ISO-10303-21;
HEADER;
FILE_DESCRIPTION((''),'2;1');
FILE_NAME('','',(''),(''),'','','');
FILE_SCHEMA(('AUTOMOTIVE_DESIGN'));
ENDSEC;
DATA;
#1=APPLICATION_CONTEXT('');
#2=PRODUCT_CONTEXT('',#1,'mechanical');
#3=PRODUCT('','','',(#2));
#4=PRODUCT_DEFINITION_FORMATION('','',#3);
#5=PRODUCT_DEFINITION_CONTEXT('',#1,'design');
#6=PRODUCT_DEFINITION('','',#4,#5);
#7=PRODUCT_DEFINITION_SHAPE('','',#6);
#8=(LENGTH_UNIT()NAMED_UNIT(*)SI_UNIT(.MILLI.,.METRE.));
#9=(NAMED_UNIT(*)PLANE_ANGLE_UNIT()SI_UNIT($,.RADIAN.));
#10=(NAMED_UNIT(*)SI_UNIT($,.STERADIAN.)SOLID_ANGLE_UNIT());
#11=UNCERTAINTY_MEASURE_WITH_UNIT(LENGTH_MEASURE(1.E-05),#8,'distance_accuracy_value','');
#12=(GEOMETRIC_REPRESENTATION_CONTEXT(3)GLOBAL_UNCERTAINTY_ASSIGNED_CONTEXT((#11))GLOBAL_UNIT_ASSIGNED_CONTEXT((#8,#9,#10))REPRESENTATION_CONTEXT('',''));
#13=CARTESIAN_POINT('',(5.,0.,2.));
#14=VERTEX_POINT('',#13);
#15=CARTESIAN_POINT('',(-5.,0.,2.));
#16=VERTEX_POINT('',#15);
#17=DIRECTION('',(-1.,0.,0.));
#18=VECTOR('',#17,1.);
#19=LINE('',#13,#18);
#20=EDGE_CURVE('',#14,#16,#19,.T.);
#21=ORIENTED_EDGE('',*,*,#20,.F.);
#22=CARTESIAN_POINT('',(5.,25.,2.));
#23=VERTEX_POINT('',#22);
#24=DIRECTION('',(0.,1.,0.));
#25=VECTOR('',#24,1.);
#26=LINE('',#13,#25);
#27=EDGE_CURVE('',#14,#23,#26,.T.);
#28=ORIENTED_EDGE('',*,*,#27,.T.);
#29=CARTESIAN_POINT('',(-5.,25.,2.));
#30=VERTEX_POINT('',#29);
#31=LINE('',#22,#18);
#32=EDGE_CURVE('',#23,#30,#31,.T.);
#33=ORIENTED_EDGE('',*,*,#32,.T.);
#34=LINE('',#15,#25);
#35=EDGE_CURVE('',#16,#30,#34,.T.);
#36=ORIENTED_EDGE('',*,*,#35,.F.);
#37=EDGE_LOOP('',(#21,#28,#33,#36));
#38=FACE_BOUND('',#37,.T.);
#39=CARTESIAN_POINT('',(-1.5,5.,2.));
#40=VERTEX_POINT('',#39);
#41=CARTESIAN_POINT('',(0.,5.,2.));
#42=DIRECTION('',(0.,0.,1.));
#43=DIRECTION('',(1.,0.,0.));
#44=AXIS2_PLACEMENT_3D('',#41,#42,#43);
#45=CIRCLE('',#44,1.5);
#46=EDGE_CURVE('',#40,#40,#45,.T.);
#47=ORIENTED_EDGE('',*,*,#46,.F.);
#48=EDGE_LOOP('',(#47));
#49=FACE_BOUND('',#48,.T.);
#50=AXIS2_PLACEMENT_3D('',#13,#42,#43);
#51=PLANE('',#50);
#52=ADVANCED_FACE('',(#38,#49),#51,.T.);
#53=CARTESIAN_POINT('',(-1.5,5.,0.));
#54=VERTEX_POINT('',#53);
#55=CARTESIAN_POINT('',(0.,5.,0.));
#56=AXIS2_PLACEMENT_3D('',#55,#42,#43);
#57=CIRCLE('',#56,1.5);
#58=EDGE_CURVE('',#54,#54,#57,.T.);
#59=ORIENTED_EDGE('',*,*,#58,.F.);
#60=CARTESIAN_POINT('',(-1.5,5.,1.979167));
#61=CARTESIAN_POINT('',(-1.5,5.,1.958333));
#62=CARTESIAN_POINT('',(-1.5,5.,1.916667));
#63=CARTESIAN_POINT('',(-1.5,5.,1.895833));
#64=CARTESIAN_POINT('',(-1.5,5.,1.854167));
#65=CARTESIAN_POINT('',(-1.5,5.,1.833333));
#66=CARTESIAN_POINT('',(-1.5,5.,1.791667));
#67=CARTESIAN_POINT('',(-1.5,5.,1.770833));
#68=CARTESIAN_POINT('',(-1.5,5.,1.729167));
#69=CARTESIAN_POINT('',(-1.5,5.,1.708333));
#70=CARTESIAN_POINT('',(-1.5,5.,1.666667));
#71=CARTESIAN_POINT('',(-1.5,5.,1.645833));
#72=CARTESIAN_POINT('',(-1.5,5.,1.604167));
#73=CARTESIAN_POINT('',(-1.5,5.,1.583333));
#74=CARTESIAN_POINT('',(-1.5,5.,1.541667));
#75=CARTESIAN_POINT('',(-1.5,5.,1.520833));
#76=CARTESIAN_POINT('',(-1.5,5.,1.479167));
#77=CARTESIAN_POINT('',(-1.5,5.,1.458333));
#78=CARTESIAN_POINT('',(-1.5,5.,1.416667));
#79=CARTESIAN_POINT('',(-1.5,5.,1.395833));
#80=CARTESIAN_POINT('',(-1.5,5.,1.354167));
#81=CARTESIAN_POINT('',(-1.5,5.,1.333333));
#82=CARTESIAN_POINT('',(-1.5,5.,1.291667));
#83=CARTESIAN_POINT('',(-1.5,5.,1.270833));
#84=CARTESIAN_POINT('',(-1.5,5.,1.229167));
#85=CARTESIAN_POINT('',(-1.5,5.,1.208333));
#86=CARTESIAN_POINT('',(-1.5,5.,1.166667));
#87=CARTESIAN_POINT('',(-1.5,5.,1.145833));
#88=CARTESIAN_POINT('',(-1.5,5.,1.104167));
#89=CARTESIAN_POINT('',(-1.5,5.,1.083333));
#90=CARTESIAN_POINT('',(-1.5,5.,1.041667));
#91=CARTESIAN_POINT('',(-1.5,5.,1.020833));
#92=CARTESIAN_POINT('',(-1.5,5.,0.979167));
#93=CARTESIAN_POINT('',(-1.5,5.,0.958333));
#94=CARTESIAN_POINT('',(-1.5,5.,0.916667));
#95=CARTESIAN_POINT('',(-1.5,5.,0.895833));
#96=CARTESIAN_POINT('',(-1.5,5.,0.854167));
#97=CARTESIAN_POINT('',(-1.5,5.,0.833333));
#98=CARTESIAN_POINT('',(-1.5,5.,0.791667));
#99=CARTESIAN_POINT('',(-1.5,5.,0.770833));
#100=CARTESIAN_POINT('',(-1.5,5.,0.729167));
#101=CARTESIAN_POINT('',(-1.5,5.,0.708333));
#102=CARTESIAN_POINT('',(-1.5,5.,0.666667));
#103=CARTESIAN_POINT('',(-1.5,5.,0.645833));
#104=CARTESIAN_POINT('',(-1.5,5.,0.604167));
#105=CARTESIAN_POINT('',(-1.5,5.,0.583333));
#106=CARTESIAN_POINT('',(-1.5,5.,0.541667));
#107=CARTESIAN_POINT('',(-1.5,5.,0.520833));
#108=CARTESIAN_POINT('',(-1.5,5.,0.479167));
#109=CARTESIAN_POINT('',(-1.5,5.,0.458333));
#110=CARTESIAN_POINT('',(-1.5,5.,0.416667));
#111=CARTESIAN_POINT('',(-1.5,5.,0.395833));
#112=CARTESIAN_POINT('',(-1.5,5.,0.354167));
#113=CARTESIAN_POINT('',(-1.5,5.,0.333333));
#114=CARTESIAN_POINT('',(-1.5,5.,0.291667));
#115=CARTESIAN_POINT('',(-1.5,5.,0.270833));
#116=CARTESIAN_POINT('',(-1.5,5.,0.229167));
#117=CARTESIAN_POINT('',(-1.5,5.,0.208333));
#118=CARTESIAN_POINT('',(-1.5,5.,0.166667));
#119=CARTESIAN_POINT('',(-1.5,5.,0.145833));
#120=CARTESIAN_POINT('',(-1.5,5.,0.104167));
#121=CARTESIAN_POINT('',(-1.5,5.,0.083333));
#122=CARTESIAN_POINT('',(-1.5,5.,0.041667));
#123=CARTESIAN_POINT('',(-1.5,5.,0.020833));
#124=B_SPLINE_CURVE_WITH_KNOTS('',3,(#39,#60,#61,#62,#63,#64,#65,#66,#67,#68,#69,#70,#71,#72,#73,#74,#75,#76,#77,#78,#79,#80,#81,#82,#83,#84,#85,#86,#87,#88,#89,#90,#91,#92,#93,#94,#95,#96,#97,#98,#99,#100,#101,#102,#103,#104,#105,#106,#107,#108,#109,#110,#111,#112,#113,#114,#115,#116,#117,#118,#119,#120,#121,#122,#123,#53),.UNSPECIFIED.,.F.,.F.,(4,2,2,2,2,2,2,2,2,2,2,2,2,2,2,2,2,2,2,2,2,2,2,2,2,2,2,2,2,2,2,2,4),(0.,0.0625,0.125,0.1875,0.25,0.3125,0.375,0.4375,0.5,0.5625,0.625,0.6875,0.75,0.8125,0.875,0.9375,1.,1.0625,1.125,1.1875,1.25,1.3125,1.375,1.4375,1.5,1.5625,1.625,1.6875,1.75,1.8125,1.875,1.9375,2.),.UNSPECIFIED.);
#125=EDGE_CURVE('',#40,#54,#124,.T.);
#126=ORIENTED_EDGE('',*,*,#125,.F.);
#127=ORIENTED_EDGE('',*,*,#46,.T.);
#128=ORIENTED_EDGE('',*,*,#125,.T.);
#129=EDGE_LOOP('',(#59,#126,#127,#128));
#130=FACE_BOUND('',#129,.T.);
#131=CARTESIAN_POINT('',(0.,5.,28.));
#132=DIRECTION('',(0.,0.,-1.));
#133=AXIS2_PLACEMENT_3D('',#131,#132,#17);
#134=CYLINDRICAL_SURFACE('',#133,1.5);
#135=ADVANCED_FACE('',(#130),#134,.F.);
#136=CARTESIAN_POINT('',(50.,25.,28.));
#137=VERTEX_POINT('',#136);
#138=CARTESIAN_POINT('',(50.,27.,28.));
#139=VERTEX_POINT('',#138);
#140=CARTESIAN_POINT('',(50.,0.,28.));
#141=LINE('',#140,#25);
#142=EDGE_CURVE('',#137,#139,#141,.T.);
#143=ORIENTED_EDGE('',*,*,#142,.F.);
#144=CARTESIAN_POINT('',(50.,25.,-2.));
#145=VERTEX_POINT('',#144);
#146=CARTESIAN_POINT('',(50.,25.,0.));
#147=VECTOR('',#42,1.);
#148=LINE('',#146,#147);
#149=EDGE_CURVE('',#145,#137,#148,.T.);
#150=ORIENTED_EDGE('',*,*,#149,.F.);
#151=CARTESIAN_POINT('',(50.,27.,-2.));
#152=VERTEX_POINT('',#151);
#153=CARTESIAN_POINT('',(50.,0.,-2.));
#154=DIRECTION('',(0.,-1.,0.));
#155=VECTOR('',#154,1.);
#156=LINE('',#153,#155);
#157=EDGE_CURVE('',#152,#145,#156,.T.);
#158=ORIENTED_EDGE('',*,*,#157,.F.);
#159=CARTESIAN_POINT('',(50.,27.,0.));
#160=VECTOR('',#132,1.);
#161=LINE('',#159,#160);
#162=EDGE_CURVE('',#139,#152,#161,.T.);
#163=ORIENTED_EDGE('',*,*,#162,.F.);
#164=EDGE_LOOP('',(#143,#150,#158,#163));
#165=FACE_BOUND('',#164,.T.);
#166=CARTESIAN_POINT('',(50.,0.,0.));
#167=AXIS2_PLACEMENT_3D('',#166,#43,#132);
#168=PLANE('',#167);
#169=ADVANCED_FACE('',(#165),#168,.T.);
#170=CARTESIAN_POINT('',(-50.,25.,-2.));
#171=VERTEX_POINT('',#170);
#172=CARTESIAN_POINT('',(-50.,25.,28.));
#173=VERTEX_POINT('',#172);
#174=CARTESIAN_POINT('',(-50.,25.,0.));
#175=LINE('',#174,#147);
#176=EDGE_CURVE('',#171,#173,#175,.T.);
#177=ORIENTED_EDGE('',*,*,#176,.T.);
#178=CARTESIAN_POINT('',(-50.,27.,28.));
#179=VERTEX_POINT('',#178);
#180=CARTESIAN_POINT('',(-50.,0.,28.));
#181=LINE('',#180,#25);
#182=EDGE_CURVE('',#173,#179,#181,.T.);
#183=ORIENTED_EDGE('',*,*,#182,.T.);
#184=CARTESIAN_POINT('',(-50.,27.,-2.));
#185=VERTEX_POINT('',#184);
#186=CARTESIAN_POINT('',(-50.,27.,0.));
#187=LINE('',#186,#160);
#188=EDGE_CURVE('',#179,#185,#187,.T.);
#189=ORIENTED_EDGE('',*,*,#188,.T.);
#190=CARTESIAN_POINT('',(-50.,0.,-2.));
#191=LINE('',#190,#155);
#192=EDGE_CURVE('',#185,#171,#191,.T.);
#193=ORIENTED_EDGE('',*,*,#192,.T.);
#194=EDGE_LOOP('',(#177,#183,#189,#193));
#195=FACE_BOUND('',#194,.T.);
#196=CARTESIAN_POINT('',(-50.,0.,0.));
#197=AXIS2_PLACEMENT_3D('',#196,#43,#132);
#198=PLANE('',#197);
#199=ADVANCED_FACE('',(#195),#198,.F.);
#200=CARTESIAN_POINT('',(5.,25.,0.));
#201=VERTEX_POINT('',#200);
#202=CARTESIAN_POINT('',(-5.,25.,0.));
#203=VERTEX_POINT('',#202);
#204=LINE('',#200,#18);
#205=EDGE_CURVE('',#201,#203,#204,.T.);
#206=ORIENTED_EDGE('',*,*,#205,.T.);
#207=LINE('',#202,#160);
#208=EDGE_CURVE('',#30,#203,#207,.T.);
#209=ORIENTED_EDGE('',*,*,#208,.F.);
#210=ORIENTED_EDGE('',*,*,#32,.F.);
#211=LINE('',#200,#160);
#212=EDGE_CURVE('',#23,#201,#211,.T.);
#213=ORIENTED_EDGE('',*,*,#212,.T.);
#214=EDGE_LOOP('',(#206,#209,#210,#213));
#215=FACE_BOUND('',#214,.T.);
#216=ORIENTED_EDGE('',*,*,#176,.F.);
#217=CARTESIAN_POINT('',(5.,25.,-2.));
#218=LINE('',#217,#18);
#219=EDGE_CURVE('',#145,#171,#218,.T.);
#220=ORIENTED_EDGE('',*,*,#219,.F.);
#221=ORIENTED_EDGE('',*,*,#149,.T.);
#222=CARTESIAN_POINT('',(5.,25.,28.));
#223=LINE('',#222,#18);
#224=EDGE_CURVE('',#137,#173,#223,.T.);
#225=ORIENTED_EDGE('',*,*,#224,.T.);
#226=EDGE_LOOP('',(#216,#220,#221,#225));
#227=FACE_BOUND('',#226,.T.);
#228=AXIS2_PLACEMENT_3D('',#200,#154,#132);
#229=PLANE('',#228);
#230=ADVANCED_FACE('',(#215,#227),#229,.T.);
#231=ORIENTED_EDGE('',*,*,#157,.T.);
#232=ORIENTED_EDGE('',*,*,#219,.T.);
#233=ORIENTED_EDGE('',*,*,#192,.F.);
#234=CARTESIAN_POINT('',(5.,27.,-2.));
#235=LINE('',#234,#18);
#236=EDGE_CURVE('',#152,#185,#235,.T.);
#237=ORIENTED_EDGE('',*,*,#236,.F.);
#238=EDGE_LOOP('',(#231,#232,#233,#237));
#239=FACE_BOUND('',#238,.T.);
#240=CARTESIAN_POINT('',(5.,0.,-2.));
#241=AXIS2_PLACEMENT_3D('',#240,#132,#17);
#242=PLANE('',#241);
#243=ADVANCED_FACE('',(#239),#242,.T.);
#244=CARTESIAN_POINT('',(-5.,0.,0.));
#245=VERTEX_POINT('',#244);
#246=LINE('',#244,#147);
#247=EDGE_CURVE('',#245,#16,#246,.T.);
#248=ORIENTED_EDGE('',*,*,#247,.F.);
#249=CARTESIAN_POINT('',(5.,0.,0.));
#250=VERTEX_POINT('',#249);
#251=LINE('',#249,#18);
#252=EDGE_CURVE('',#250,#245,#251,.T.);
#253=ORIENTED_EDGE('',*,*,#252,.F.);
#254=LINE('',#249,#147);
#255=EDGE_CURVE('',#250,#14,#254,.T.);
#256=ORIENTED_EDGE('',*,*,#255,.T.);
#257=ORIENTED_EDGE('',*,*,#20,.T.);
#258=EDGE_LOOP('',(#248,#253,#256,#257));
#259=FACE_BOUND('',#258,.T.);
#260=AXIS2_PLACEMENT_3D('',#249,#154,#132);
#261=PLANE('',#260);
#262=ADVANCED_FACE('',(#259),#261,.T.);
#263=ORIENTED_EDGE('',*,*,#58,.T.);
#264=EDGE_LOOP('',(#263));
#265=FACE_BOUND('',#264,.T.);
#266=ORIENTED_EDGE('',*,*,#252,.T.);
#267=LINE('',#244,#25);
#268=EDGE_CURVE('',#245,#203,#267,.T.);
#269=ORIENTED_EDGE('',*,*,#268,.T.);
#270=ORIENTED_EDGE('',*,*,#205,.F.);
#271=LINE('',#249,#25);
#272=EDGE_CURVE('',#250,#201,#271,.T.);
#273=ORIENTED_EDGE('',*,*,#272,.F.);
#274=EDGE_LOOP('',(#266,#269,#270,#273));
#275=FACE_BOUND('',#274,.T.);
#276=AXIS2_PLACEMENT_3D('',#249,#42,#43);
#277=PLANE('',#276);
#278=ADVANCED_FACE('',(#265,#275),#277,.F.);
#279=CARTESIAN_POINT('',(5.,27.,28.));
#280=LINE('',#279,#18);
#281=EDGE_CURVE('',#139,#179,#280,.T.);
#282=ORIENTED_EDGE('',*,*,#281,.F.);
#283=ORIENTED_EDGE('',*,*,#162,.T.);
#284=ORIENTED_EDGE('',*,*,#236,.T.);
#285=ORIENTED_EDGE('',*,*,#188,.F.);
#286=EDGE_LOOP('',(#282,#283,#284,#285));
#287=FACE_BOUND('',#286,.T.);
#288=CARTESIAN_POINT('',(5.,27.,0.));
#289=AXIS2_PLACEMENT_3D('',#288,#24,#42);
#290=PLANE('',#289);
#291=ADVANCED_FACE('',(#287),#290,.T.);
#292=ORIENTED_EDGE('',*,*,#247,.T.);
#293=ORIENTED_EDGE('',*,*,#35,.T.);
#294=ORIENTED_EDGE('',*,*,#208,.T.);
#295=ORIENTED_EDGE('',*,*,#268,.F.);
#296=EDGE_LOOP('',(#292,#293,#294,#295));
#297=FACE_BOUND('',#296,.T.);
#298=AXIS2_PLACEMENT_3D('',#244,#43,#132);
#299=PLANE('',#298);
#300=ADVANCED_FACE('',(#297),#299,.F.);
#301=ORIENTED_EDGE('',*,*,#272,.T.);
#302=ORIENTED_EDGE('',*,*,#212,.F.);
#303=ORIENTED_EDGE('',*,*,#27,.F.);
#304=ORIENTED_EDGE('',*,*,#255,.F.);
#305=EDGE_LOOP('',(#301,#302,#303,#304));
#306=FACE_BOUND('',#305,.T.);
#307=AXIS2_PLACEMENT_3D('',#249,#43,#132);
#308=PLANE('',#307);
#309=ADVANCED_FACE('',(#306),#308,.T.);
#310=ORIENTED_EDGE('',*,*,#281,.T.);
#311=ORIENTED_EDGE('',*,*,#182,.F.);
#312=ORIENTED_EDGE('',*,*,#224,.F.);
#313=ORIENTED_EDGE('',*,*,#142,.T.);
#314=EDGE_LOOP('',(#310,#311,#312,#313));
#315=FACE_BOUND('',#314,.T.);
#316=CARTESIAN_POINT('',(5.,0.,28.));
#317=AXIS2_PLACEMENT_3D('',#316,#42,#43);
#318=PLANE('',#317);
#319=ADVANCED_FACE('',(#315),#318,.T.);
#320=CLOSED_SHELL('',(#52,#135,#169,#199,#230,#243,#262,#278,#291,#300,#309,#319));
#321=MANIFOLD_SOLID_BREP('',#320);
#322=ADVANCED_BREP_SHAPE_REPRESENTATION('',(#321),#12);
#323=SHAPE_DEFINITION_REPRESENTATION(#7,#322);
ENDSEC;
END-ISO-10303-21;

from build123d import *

# Parameters (mm, degrees)
BOSS_EXTRUDE1_DEPTH     = 5
BOSS_EXTRUDE2_DEPTH     = 50
CUT_EXTRUDE1_DEPTH      = 64.348243859
CUT_EXTRUDE1_DEPTH_BACK = 64.348243859
SKETCH2_R               = 1.5


with BuildPart() as part:
    # Sketch1 → Boss-Extrude1 (new, symmetric)
    with BuildSketch(Plane(origin=(0, 0, 0), x_dir=(0, 0, -1), z_dir=(1, 0, 0))):
        Polygon((-2, 0), (0, 0), (0, 25), (2, 25), (2, 27), (-28, 27), (-28, 25), (-2, 25), align=None)
    extrude(amount=BOSS_EXTRUDE1_DEPTH, both=True)

    # Sketch1<3> → Boss-Extrude2 (add, symmetric)
    with BuildSketch(Plane(origin=(0, 0, 0), x_dir=(0, 0, -1), z_dir=(1, 0, 0))):
        Polygon((-2, 25), (0, 25), (2, 25), (2, 27), (-28, 27), (-28, 25), align=None)
    extrude(amount=BOSS_EXTRUDE2_DEPTH, both=True)

    # Sketch2 → Cut-Extrude1 (cut, two sides: drawn at the far end of the back side and taken through both)
    with BuildSketch(Plane(origin=(0, 0, 0), x_dir=(-1, 0, 0), z_dir=(0, 0, -1)).offset(-CUT_EXTRUDE1_DEPTH_BACK)):
        with Locations((0, 5)):
            Circle(SKETCH2_R)
    extrude(amount=CUT_EXTRUDE1_DEPTH + CUT_EXTRUDE1_DEPTH_BACK, mode=Mode.SUBTRACT)


solid = part.part
